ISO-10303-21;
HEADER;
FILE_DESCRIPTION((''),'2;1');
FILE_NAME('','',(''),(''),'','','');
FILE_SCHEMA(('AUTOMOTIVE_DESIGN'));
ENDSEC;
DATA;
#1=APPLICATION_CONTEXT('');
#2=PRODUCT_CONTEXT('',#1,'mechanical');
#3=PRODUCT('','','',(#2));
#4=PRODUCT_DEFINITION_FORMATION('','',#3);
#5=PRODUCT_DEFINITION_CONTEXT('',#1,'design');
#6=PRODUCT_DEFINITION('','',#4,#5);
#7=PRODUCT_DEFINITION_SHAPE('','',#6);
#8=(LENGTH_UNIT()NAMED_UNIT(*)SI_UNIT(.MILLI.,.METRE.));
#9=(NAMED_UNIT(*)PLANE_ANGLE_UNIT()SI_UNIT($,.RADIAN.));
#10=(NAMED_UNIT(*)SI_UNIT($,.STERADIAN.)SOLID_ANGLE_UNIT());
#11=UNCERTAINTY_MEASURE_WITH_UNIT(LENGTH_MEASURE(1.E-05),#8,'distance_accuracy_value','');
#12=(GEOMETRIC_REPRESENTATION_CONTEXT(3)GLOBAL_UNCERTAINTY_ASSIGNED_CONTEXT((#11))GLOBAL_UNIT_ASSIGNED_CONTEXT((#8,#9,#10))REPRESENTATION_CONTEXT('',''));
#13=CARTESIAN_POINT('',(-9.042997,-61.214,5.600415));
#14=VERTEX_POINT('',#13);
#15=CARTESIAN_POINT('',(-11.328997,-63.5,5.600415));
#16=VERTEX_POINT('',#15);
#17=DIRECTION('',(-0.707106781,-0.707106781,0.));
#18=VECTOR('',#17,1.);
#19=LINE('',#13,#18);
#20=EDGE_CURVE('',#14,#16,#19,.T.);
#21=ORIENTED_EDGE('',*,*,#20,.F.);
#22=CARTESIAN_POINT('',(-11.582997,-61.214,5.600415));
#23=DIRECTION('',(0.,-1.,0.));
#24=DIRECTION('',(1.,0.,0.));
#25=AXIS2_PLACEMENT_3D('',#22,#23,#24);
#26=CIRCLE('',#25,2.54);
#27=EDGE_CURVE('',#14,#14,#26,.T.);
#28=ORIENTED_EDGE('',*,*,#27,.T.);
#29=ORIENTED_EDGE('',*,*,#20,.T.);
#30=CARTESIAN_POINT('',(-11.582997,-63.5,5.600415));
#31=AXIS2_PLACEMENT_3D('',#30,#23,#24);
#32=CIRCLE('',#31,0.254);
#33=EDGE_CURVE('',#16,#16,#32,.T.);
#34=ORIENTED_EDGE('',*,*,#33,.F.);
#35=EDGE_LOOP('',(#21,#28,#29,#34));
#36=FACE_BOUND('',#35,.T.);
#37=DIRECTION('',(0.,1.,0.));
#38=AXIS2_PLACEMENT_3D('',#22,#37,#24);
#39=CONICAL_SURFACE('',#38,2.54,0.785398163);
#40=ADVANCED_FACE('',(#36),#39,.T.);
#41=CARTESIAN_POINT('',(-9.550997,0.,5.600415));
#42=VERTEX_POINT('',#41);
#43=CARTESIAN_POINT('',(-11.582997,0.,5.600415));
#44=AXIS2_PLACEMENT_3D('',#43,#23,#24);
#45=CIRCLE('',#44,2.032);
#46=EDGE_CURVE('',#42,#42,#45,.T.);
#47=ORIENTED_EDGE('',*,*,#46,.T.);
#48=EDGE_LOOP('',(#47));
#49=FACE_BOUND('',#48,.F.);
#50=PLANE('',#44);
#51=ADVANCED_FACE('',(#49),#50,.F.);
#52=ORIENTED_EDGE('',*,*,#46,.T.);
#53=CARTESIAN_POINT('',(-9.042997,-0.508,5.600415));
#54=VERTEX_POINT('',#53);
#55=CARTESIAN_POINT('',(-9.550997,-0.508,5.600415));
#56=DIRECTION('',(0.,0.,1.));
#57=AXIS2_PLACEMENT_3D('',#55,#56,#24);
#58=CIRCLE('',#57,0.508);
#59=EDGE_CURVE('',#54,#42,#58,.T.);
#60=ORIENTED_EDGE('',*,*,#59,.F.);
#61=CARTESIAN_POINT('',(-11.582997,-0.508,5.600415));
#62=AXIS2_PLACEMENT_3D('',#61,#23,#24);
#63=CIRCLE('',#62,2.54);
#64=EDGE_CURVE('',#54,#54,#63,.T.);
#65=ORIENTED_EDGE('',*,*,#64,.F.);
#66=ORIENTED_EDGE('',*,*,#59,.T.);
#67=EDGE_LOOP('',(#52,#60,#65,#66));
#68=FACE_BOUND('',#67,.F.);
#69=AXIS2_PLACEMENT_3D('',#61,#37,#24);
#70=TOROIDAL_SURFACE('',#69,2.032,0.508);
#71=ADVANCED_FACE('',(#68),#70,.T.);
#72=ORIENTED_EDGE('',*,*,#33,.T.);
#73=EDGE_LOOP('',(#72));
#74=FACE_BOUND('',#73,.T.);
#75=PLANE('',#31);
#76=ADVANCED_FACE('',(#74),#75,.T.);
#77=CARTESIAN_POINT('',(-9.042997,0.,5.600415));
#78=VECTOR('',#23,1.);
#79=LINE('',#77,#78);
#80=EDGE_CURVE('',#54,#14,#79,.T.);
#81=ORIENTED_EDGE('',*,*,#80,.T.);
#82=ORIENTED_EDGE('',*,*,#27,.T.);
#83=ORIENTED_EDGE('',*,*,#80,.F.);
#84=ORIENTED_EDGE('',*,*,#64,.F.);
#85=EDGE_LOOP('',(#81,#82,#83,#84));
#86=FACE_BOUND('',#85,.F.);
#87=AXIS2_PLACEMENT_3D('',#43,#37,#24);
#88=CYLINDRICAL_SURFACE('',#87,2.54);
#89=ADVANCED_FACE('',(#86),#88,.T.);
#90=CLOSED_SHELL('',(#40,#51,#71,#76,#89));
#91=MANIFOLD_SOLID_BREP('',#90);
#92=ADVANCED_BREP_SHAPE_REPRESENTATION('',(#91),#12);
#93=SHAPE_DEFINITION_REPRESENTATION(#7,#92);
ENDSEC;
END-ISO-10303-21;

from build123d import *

# Parameters (mm, degrees)
F0_R     = 2.54
F1_DEPTH = 63.5
F2_R     = 0.508
F3_SIZE  = 2.286


with BuildPart() as f1:
    # F0 (on Front) → F1 (new body)
    with BuildSketch(Plane.XZ):
        with Locations((-11.582997, 5.600415)):
            Circle(F0_R)
    extrude(amount=F1_DEPTH)

    # F2
    f2_edges = [f1.edges().sort_by_distance(p)[0] for p in [
        (-14.122997, 0, 5.600415),
    ]]
    fillet(f2_edges, radius=F2_R)

    # F3
    f3_edges = [f1.edges().sort_by_distance(p)[0] for p in [
        (-14.122997, -63.5, 5.600415),
    ]]
    chamfer(f3_edges, length=F3_SIZE)


solid = f1.part
